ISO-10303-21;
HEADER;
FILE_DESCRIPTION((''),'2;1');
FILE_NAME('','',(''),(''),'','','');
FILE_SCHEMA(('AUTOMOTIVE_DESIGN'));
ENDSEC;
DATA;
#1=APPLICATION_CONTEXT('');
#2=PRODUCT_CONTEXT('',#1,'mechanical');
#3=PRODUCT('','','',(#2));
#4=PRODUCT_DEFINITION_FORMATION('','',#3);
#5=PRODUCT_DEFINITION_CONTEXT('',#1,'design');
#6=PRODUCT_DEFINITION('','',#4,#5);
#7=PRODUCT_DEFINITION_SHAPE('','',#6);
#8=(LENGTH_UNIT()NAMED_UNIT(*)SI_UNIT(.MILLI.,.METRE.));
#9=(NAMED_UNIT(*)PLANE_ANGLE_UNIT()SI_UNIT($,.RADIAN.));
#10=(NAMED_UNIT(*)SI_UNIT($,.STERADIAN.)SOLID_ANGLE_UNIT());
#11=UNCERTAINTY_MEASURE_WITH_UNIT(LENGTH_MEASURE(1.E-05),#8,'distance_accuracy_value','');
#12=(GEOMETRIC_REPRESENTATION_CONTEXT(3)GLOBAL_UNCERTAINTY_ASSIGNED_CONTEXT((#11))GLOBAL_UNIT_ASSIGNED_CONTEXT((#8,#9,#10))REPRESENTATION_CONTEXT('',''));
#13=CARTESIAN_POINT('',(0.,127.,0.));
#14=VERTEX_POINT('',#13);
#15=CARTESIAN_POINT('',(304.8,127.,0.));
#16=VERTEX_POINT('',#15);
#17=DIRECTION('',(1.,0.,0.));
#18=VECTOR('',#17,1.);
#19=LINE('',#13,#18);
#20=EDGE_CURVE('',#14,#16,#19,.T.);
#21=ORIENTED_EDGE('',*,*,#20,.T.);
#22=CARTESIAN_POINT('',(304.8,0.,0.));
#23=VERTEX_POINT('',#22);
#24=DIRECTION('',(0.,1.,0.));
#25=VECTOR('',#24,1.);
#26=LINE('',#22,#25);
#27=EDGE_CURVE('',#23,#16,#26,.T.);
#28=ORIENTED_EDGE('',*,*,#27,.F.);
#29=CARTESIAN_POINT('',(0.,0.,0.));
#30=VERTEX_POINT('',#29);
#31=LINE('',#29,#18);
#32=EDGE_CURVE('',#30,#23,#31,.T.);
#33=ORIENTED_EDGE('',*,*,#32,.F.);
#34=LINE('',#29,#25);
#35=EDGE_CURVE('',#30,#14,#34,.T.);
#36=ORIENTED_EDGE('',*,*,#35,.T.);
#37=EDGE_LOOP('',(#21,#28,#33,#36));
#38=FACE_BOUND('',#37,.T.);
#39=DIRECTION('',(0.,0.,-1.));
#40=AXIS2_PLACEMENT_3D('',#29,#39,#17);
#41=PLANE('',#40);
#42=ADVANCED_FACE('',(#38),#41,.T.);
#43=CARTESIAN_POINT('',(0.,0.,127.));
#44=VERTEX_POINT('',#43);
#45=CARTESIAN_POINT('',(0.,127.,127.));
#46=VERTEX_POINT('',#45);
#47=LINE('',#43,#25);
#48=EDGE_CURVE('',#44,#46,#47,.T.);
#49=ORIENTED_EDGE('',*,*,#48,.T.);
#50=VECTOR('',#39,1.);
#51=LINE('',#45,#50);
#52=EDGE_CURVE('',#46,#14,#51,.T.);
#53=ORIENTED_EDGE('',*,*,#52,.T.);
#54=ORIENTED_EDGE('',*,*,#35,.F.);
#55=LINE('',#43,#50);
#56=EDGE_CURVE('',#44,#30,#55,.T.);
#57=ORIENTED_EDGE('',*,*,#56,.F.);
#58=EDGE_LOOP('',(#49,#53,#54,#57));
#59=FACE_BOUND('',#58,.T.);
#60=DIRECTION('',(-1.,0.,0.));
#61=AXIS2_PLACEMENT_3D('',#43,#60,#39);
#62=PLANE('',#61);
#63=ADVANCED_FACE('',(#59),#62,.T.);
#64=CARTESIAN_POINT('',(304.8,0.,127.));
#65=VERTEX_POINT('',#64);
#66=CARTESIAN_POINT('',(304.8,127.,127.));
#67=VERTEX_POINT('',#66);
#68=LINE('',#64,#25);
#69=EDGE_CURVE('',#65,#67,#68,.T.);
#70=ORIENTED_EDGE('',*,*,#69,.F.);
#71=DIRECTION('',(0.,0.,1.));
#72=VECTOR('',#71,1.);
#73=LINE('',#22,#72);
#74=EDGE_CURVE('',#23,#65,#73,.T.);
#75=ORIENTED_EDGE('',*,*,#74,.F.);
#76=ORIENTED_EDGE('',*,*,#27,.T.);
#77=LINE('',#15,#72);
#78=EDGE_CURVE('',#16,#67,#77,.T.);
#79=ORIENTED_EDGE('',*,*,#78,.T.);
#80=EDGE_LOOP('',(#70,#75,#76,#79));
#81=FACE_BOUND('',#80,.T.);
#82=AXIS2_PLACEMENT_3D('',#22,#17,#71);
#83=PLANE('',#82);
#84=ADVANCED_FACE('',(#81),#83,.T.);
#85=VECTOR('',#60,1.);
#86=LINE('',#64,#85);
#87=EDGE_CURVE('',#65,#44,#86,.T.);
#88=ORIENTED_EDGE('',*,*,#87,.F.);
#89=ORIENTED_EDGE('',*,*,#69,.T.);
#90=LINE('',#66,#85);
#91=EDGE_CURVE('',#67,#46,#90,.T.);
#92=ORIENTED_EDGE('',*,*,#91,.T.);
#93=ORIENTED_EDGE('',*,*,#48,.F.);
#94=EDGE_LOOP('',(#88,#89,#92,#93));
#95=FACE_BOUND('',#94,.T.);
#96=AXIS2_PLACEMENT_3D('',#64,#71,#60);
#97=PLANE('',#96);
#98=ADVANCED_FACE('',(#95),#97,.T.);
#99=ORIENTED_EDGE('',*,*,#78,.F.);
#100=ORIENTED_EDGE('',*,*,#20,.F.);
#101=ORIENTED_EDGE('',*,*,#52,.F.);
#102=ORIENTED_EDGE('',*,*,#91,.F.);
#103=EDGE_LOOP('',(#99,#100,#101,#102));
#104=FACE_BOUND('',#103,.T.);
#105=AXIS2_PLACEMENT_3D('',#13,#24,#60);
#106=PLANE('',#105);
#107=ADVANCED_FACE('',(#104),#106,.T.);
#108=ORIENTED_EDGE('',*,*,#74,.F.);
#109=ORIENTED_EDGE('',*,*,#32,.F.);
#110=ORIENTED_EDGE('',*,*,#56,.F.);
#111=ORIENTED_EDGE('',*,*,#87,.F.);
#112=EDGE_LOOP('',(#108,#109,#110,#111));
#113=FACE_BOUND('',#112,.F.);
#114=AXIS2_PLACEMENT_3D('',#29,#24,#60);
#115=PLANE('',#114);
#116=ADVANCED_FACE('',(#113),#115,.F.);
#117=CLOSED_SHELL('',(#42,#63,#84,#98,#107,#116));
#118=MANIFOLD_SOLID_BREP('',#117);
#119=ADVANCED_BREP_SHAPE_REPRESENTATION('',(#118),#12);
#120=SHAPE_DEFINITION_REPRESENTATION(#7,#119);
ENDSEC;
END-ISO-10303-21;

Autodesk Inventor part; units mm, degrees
ref_plane "YZ Plane" through (0, 0, 0) normal (1, 0, 0) x (0, 1, 0)
ref_plane "XZ Plane" through (0, 0, 0) normal (0, 1, 0) x (-1, 0, 0)
ref_plane "XY Plane" through (0, 0, 0) normal (0, 0, 1) x (1, 0, 0)
sketch "Sketch1" plane through (0, 0, 0) normal (0, 1, 0) x (-1, 0, 0)
  line L0 (0, 0) -> (-304.8, 0)
  line L1 (-304.8, 0) -> (-304.8, 127)
  line L2 (-304.8, 127) -> (0, 127)
  line L3 (0, 127) -> (0, 0)
  dimension "d0" = 304.8
  dimension "d1" = 127
extrude "Extrusion1" add sketch "Sketch1" along normal blind 127
properties part number "edgert" material "Granite, Cut, Polished"
